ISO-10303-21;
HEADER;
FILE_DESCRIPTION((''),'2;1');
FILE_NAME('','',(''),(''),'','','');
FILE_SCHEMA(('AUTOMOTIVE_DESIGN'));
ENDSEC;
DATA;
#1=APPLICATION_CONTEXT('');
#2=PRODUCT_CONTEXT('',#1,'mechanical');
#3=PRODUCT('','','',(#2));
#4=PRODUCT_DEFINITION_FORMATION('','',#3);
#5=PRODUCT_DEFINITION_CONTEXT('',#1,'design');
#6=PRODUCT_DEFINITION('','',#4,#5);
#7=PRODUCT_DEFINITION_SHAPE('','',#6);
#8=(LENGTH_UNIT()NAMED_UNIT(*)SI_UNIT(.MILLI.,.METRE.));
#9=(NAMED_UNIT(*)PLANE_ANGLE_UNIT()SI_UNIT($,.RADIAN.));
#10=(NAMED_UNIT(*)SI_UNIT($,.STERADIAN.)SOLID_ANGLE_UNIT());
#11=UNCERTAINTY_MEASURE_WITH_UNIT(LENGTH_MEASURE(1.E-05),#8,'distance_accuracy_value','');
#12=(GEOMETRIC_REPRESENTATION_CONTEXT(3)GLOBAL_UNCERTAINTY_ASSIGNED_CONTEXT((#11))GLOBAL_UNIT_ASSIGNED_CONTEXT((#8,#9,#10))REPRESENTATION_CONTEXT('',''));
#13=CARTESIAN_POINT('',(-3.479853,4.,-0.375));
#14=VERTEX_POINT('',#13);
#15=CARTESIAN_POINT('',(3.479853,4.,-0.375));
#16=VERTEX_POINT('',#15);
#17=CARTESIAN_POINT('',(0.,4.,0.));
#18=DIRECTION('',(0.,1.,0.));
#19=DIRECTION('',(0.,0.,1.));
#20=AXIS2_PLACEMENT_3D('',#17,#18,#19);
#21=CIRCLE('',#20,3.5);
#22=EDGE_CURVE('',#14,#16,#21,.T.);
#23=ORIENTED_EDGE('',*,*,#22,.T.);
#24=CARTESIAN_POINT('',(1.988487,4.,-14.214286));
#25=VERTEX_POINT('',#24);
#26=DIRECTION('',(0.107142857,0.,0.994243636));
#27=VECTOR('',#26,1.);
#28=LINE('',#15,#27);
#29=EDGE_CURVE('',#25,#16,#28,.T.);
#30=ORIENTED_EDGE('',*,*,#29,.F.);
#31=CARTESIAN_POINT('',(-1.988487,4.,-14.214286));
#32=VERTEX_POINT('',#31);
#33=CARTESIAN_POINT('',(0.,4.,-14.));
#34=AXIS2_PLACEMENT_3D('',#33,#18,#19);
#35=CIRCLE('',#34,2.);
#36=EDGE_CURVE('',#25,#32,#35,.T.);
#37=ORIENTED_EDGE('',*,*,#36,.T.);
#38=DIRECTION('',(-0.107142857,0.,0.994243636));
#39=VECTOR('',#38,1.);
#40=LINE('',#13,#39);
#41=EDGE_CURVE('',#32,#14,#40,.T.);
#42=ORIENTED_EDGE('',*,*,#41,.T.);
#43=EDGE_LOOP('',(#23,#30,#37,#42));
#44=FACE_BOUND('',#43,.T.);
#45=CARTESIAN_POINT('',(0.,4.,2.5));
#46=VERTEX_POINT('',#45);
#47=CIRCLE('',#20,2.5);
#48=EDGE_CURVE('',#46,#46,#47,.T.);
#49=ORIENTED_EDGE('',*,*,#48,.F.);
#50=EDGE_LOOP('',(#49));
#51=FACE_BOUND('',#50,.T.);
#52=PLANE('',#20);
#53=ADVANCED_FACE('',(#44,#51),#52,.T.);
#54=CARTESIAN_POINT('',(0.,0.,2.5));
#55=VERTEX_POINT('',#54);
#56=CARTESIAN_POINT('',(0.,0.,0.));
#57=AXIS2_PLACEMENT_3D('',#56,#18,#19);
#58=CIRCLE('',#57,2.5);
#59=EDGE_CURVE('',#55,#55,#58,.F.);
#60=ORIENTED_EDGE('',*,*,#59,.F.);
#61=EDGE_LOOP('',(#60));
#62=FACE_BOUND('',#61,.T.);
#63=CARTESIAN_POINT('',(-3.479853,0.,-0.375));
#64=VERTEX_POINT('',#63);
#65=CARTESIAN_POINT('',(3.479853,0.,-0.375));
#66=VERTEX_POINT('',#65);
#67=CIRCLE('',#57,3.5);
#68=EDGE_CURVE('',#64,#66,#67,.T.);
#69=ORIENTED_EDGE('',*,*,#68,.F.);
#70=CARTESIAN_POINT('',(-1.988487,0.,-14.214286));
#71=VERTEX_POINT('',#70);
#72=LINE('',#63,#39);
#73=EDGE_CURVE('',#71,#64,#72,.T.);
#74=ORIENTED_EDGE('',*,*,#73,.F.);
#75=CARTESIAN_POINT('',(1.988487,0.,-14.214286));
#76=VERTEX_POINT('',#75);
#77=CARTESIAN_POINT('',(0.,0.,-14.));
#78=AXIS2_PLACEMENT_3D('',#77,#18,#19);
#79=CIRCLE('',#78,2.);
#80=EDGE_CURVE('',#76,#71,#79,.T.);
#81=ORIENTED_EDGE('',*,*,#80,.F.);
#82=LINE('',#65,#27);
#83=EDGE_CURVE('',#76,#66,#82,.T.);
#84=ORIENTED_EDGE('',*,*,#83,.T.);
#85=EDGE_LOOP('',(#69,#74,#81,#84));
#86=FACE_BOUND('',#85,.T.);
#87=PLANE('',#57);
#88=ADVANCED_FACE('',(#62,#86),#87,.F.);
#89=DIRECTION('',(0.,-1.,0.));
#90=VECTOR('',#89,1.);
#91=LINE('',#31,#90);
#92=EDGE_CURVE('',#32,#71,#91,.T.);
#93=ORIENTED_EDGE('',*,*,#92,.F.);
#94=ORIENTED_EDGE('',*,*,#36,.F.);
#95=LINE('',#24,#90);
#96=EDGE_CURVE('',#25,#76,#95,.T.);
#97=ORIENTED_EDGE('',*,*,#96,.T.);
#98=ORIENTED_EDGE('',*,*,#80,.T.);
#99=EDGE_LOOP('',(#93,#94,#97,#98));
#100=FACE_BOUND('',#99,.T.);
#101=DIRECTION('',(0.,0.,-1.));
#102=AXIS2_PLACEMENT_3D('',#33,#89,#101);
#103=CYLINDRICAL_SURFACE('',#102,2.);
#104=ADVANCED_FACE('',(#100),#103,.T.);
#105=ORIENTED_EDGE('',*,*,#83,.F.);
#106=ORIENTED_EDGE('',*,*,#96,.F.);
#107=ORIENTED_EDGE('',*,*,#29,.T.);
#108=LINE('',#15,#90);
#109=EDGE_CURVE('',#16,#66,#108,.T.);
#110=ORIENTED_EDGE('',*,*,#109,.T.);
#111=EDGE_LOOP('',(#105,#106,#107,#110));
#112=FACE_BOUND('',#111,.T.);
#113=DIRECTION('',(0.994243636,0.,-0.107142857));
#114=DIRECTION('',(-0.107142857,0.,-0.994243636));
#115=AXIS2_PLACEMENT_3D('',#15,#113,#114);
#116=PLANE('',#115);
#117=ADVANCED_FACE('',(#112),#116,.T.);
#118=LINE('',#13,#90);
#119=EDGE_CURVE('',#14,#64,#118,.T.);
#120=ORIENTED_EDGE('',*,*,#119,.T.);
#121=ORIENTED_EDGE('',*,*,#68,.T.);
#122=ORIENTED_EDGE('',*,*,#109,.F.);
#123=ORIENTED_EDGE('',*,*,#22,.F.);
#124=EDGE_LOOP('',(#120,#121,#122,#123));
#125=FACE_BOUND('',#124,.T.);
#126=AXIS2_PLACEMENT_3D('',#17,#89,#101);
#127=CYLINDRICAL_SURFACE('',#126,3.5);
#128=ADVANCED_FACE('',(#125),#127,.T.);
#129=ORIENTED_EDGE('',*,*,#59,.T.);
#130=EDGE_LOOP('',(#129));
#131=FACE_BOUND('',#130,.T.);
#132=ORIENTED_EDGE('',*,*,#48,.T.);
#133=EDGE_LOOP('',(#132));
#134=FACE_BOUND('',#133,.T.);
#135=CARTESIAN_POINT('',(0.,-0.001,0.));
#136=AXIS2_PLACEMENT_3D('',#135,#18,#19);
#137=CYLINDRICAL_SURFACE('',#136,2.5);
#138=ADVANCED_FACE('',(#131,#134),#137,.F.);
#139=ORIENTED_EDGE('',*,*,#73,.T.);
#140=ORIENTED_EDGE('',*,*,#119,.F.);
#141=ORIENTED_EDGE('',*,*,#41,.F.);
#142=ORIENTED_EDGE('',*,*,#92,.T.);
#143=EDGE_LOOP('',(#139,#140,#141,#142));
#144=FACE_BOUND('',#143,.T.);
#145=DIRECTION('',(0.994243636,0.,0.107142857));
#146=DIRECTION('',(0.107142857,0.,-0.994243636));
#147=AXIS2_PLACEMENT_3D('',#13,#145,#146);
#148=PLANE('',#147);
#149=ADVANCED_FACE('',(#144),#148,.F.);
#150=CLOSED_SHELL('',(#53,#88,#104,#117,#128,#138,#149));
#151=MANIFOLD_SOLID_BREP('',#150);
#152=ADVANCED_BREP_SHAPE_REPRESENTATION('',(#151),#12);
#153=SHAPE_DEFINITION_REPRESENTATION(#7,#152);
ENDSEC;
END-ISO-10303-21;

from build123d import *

# Parameters (mm, degrees)
EXTRUDE_1_DEPTH     = 4
CUT_EXTRUDE_1_REACH = 18.86
SKETCH_2_R          = 2.5


with BuildPart() as part:
    # 草图1 → 凸台-拉伸1 (new body)
    with BuildSketch(Plane(origin=(0, 0, 0), x_dir=(1, 0, 0), z_dir=(0, 1, 0))):
        with BuildLine():
            Line((3.479852727, 0.375), (1.988487272, 14.214285714))
            ThreePointArc((1.988487272, 14.214285714), (0, 16), (-1.988487272, 14.214285714))
            Line((-1.988487272, 14.214285714), (-3.479852727, 0.375))
            ThreePointArc((-3.479852727, 0.375), (0, -3.5), (3.479852727, 0.375))
        make_face()
    extrude(amount=EXTRUDE_1_DEPTH)

    # 草图2 → 切除-拉伸1 (cut, up to next)
    with BuildSketch(Plane(origin=(0, 4, 0), x_dir=(1, 0, 0), z_dir=(0, 1, 0)), mode=Mode.PRIVATE) as cut_extrude_1_sk1:
        with Locations(Location((0, 0, 0), (0, 0, 270))):
            Circle(SKETCH_2_R)
    cut_extrude_1_tool1 = extrude(cut_extrude_1_sk1.sketch, amount=-CUT_EXTRUDE_1_REACH, mode=Mode.PRIVATE) & part.part
    add(cut_extrude_1_tool1.solids().sort_by_distance((0, 4, 0))[0], mode=Mode.SUBTRACT)


solid = part.part
